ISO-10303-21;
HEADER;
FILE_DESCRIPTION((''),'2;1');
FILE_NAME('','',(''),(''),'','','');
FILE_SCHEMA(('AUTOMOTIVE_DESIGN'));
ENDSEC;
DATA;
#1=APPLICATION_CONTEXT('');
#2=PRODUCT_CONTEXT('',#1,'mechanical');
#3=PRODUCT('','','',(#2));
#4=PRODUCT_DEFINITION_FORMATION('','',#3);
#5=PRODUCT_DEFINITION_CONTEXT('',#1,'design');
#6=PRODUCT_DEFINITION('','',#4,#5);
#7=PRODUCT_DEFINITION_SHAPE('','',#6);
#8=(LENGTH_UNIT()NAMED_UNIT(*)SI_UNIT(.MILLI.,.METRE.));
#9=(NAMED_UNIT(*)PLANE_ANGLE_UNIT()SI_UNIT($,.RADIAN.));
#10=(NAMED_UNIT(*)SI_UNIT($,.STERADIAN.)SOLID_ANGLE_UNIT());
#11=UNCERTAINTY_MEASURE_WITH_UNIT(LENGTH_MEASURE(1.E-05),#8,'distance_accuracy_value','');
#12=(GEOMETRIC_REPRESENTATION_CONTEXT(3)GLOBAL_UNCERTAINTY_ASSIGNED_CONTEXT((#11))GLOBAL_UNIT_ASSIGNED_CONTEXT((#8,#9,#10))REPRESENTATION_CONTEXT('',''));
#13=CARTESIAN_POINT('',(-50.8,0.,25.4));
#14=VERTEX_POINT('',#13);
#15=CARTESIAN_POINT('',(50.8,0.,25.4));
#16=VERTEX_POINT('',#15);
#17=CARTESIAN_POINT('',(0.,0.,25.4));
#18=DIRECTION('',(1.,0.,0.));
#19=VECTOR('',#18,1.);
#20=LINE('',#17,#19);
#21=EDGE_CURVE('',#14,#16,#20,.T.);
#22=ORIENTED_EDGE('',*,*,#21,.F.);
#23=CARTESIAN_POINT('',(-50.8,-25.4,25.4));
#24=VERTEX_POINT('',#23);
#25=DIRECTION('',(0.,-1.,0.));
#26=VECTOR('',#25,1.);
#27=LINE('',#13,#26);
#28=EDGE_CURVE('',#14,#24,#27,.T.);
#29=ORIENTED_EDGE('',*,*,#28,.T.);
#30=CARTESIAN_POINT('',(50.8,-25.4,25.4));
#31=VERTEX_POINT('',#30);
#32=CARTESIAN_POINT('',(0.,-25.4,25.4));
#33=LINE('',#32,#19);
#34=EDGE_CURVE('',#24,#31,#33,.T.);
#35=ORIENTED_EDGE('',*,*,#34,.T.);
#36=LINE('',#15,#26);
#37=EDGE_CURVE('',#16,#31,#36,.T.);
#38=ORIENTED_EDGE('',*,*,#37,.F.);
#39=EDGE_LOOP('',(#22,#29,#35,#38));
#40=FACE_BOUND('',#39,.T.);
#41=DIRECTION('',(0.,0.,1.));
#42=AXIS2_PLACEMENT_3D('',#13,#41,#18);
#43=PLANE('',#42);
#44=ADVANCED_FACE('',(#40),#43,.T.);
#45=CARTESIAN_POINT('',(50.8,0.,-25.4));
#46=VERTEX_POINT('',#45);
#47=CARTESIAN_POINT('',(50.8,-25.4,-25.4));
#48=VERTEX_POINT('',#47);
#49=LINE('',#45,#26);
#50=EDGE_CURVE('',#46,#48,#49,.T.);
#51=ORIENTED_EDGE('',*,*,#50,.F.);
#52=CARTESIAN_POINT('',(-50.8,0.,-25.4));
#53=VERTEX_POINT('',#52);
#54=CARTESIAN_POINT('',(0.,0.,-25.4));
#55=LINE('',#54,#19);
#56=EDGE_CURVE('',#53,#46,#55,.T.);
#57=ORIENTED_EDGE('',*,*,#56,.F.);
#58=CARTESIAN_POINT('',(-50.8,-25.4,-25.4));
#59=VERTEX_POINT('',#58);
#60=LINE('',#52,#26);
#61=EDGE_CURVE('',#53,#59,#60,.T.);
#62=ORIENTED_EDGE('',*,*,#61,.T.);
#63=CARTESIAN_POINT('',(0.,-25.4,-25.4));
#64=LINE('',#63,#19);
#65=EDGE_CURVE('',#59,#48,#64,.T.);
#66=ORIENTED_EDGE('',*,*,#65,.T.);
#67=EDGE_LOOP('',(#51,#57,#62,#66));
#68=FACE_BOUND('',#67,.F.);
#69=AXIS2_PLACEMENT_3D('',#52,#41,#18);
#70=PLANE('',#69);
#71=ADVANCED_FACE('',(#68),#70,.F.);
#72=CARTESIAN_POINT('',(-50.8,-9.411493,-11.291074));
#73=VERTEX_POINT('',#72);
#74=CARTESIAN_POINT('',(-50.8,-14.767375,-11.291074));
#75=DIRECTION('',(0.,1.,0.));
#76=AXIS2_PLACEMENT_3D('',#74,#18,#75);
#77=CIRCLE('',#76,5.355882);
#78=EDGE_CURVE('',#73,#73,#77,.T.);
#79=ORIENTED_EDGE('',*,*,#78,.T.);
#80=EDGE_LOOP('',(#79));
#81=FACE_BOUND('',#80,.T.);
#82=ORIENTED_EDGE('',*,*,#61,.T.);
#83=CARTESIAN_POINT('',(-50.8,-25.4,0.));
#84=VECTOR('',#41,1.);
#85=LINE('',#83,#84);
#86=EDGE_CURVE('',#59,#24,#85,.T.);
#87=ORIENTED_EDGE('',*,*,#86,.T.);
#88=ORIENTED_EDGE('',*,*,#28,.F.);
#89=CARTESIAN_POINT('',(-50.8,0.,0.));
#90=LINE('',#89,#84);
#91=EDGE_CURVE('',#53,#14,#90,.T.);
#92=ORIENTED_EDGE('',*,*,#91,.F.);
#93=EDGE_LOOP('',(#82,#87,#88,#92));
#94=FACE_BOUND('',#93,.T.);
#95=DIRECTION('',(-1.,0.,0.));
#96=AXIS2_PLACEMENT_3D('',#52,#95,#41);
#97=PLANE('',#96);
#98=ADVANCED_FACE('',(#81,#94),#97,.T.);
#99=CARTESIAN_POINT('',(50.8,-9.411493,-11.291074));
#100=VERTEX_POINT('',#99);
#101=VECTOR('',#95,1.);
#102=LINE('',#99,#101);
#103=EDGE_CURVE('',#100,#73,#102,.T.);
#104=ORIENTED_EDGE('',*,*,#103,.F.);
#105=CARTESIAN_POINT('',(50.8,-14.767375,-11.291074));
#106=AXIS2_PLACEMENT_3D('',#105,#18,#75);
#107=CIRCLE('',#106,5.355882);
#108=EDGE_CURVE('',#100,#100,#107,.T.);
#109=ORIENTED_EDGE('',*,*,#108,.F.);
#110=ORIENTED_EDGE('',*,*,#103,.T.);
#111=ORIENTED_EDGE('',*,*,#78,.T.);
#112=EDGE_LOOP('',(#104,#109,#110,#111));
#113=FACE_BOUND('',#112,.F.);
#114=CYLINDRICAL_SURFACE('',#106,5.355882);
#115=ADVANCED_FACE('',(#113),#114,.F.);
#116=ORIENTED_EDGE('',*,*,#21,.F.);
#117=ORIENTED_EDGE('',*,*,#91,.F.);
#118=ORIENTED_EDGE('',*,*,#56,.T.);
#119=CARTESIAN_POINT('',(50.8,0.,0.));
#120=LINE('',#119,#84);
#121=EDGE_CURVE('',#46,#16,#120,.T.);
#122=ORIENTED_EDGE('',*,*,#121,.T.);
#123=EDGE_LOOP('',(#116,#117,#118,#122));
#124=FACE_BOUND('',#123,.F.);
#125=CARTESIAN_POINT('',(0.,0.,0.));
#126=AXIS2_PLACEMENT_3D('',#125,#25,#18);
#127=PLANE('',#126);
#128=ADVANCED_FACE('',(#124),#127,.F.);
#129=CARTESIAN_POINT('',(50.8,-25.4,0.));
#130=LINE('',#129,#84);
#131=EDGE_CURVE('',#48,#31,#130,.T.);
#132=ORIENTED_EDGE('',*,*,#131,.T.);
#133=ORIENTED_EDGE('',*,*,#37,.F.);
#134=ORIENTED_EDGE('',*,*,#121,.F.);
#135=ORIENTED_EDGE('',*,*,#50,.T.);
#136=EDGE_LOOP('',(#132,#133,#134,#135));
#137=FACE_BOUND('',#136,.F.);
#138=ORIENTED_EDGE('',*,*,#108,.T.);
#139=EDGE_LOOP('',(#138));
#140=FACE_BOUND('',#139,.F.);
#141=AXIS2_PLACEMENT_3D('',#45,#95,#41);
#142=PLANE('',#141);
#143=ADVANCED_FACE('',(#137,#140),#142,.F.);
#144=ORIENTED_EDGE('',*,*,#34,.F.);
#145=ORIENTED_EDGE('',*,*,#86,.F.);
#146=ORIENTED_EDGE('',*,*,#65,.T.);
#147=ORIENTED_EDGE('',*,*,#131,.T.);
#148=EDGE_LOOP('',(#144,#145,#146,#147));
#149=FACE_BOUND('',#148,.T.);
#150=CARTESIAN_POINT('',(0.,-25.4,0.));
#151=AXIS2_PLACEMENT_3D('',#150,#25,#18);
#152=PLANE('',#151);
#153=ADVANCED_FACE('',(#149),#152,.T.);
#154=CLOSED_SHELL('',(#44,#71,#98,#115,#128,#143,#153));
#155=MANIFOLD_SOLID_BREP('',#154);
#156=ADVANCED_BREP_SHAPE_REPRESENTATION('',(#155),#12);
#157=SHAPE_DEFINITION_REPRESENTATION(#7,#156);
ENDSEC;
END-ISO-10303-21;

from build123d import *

# Parameters (mm, degrees)
F0_W     = 101.6
F0_H     = 50.8
F1_DEPTH = 25.4
F2_R     = 5.355882
F3_DEPTH = 127


with BuildPart() as f1:
    # F0 (on Front) → F1 (new body)
    with BuildSketch(Plane.XZ):
        Rectangle(F0_W, F0_H)
    extrude(amount=F1_DEPTH)

    # F2 (on face) → F3 (cut)
    with BuildSketch(Plane.YZ.offset(50.8)):
        with Locations((-14.767375, -11.291074)):
            Circle(F2_R)
    extrude(amount=-F3_DEPTH, mode=Mode.SUBTRACT)


solid = f1.part
